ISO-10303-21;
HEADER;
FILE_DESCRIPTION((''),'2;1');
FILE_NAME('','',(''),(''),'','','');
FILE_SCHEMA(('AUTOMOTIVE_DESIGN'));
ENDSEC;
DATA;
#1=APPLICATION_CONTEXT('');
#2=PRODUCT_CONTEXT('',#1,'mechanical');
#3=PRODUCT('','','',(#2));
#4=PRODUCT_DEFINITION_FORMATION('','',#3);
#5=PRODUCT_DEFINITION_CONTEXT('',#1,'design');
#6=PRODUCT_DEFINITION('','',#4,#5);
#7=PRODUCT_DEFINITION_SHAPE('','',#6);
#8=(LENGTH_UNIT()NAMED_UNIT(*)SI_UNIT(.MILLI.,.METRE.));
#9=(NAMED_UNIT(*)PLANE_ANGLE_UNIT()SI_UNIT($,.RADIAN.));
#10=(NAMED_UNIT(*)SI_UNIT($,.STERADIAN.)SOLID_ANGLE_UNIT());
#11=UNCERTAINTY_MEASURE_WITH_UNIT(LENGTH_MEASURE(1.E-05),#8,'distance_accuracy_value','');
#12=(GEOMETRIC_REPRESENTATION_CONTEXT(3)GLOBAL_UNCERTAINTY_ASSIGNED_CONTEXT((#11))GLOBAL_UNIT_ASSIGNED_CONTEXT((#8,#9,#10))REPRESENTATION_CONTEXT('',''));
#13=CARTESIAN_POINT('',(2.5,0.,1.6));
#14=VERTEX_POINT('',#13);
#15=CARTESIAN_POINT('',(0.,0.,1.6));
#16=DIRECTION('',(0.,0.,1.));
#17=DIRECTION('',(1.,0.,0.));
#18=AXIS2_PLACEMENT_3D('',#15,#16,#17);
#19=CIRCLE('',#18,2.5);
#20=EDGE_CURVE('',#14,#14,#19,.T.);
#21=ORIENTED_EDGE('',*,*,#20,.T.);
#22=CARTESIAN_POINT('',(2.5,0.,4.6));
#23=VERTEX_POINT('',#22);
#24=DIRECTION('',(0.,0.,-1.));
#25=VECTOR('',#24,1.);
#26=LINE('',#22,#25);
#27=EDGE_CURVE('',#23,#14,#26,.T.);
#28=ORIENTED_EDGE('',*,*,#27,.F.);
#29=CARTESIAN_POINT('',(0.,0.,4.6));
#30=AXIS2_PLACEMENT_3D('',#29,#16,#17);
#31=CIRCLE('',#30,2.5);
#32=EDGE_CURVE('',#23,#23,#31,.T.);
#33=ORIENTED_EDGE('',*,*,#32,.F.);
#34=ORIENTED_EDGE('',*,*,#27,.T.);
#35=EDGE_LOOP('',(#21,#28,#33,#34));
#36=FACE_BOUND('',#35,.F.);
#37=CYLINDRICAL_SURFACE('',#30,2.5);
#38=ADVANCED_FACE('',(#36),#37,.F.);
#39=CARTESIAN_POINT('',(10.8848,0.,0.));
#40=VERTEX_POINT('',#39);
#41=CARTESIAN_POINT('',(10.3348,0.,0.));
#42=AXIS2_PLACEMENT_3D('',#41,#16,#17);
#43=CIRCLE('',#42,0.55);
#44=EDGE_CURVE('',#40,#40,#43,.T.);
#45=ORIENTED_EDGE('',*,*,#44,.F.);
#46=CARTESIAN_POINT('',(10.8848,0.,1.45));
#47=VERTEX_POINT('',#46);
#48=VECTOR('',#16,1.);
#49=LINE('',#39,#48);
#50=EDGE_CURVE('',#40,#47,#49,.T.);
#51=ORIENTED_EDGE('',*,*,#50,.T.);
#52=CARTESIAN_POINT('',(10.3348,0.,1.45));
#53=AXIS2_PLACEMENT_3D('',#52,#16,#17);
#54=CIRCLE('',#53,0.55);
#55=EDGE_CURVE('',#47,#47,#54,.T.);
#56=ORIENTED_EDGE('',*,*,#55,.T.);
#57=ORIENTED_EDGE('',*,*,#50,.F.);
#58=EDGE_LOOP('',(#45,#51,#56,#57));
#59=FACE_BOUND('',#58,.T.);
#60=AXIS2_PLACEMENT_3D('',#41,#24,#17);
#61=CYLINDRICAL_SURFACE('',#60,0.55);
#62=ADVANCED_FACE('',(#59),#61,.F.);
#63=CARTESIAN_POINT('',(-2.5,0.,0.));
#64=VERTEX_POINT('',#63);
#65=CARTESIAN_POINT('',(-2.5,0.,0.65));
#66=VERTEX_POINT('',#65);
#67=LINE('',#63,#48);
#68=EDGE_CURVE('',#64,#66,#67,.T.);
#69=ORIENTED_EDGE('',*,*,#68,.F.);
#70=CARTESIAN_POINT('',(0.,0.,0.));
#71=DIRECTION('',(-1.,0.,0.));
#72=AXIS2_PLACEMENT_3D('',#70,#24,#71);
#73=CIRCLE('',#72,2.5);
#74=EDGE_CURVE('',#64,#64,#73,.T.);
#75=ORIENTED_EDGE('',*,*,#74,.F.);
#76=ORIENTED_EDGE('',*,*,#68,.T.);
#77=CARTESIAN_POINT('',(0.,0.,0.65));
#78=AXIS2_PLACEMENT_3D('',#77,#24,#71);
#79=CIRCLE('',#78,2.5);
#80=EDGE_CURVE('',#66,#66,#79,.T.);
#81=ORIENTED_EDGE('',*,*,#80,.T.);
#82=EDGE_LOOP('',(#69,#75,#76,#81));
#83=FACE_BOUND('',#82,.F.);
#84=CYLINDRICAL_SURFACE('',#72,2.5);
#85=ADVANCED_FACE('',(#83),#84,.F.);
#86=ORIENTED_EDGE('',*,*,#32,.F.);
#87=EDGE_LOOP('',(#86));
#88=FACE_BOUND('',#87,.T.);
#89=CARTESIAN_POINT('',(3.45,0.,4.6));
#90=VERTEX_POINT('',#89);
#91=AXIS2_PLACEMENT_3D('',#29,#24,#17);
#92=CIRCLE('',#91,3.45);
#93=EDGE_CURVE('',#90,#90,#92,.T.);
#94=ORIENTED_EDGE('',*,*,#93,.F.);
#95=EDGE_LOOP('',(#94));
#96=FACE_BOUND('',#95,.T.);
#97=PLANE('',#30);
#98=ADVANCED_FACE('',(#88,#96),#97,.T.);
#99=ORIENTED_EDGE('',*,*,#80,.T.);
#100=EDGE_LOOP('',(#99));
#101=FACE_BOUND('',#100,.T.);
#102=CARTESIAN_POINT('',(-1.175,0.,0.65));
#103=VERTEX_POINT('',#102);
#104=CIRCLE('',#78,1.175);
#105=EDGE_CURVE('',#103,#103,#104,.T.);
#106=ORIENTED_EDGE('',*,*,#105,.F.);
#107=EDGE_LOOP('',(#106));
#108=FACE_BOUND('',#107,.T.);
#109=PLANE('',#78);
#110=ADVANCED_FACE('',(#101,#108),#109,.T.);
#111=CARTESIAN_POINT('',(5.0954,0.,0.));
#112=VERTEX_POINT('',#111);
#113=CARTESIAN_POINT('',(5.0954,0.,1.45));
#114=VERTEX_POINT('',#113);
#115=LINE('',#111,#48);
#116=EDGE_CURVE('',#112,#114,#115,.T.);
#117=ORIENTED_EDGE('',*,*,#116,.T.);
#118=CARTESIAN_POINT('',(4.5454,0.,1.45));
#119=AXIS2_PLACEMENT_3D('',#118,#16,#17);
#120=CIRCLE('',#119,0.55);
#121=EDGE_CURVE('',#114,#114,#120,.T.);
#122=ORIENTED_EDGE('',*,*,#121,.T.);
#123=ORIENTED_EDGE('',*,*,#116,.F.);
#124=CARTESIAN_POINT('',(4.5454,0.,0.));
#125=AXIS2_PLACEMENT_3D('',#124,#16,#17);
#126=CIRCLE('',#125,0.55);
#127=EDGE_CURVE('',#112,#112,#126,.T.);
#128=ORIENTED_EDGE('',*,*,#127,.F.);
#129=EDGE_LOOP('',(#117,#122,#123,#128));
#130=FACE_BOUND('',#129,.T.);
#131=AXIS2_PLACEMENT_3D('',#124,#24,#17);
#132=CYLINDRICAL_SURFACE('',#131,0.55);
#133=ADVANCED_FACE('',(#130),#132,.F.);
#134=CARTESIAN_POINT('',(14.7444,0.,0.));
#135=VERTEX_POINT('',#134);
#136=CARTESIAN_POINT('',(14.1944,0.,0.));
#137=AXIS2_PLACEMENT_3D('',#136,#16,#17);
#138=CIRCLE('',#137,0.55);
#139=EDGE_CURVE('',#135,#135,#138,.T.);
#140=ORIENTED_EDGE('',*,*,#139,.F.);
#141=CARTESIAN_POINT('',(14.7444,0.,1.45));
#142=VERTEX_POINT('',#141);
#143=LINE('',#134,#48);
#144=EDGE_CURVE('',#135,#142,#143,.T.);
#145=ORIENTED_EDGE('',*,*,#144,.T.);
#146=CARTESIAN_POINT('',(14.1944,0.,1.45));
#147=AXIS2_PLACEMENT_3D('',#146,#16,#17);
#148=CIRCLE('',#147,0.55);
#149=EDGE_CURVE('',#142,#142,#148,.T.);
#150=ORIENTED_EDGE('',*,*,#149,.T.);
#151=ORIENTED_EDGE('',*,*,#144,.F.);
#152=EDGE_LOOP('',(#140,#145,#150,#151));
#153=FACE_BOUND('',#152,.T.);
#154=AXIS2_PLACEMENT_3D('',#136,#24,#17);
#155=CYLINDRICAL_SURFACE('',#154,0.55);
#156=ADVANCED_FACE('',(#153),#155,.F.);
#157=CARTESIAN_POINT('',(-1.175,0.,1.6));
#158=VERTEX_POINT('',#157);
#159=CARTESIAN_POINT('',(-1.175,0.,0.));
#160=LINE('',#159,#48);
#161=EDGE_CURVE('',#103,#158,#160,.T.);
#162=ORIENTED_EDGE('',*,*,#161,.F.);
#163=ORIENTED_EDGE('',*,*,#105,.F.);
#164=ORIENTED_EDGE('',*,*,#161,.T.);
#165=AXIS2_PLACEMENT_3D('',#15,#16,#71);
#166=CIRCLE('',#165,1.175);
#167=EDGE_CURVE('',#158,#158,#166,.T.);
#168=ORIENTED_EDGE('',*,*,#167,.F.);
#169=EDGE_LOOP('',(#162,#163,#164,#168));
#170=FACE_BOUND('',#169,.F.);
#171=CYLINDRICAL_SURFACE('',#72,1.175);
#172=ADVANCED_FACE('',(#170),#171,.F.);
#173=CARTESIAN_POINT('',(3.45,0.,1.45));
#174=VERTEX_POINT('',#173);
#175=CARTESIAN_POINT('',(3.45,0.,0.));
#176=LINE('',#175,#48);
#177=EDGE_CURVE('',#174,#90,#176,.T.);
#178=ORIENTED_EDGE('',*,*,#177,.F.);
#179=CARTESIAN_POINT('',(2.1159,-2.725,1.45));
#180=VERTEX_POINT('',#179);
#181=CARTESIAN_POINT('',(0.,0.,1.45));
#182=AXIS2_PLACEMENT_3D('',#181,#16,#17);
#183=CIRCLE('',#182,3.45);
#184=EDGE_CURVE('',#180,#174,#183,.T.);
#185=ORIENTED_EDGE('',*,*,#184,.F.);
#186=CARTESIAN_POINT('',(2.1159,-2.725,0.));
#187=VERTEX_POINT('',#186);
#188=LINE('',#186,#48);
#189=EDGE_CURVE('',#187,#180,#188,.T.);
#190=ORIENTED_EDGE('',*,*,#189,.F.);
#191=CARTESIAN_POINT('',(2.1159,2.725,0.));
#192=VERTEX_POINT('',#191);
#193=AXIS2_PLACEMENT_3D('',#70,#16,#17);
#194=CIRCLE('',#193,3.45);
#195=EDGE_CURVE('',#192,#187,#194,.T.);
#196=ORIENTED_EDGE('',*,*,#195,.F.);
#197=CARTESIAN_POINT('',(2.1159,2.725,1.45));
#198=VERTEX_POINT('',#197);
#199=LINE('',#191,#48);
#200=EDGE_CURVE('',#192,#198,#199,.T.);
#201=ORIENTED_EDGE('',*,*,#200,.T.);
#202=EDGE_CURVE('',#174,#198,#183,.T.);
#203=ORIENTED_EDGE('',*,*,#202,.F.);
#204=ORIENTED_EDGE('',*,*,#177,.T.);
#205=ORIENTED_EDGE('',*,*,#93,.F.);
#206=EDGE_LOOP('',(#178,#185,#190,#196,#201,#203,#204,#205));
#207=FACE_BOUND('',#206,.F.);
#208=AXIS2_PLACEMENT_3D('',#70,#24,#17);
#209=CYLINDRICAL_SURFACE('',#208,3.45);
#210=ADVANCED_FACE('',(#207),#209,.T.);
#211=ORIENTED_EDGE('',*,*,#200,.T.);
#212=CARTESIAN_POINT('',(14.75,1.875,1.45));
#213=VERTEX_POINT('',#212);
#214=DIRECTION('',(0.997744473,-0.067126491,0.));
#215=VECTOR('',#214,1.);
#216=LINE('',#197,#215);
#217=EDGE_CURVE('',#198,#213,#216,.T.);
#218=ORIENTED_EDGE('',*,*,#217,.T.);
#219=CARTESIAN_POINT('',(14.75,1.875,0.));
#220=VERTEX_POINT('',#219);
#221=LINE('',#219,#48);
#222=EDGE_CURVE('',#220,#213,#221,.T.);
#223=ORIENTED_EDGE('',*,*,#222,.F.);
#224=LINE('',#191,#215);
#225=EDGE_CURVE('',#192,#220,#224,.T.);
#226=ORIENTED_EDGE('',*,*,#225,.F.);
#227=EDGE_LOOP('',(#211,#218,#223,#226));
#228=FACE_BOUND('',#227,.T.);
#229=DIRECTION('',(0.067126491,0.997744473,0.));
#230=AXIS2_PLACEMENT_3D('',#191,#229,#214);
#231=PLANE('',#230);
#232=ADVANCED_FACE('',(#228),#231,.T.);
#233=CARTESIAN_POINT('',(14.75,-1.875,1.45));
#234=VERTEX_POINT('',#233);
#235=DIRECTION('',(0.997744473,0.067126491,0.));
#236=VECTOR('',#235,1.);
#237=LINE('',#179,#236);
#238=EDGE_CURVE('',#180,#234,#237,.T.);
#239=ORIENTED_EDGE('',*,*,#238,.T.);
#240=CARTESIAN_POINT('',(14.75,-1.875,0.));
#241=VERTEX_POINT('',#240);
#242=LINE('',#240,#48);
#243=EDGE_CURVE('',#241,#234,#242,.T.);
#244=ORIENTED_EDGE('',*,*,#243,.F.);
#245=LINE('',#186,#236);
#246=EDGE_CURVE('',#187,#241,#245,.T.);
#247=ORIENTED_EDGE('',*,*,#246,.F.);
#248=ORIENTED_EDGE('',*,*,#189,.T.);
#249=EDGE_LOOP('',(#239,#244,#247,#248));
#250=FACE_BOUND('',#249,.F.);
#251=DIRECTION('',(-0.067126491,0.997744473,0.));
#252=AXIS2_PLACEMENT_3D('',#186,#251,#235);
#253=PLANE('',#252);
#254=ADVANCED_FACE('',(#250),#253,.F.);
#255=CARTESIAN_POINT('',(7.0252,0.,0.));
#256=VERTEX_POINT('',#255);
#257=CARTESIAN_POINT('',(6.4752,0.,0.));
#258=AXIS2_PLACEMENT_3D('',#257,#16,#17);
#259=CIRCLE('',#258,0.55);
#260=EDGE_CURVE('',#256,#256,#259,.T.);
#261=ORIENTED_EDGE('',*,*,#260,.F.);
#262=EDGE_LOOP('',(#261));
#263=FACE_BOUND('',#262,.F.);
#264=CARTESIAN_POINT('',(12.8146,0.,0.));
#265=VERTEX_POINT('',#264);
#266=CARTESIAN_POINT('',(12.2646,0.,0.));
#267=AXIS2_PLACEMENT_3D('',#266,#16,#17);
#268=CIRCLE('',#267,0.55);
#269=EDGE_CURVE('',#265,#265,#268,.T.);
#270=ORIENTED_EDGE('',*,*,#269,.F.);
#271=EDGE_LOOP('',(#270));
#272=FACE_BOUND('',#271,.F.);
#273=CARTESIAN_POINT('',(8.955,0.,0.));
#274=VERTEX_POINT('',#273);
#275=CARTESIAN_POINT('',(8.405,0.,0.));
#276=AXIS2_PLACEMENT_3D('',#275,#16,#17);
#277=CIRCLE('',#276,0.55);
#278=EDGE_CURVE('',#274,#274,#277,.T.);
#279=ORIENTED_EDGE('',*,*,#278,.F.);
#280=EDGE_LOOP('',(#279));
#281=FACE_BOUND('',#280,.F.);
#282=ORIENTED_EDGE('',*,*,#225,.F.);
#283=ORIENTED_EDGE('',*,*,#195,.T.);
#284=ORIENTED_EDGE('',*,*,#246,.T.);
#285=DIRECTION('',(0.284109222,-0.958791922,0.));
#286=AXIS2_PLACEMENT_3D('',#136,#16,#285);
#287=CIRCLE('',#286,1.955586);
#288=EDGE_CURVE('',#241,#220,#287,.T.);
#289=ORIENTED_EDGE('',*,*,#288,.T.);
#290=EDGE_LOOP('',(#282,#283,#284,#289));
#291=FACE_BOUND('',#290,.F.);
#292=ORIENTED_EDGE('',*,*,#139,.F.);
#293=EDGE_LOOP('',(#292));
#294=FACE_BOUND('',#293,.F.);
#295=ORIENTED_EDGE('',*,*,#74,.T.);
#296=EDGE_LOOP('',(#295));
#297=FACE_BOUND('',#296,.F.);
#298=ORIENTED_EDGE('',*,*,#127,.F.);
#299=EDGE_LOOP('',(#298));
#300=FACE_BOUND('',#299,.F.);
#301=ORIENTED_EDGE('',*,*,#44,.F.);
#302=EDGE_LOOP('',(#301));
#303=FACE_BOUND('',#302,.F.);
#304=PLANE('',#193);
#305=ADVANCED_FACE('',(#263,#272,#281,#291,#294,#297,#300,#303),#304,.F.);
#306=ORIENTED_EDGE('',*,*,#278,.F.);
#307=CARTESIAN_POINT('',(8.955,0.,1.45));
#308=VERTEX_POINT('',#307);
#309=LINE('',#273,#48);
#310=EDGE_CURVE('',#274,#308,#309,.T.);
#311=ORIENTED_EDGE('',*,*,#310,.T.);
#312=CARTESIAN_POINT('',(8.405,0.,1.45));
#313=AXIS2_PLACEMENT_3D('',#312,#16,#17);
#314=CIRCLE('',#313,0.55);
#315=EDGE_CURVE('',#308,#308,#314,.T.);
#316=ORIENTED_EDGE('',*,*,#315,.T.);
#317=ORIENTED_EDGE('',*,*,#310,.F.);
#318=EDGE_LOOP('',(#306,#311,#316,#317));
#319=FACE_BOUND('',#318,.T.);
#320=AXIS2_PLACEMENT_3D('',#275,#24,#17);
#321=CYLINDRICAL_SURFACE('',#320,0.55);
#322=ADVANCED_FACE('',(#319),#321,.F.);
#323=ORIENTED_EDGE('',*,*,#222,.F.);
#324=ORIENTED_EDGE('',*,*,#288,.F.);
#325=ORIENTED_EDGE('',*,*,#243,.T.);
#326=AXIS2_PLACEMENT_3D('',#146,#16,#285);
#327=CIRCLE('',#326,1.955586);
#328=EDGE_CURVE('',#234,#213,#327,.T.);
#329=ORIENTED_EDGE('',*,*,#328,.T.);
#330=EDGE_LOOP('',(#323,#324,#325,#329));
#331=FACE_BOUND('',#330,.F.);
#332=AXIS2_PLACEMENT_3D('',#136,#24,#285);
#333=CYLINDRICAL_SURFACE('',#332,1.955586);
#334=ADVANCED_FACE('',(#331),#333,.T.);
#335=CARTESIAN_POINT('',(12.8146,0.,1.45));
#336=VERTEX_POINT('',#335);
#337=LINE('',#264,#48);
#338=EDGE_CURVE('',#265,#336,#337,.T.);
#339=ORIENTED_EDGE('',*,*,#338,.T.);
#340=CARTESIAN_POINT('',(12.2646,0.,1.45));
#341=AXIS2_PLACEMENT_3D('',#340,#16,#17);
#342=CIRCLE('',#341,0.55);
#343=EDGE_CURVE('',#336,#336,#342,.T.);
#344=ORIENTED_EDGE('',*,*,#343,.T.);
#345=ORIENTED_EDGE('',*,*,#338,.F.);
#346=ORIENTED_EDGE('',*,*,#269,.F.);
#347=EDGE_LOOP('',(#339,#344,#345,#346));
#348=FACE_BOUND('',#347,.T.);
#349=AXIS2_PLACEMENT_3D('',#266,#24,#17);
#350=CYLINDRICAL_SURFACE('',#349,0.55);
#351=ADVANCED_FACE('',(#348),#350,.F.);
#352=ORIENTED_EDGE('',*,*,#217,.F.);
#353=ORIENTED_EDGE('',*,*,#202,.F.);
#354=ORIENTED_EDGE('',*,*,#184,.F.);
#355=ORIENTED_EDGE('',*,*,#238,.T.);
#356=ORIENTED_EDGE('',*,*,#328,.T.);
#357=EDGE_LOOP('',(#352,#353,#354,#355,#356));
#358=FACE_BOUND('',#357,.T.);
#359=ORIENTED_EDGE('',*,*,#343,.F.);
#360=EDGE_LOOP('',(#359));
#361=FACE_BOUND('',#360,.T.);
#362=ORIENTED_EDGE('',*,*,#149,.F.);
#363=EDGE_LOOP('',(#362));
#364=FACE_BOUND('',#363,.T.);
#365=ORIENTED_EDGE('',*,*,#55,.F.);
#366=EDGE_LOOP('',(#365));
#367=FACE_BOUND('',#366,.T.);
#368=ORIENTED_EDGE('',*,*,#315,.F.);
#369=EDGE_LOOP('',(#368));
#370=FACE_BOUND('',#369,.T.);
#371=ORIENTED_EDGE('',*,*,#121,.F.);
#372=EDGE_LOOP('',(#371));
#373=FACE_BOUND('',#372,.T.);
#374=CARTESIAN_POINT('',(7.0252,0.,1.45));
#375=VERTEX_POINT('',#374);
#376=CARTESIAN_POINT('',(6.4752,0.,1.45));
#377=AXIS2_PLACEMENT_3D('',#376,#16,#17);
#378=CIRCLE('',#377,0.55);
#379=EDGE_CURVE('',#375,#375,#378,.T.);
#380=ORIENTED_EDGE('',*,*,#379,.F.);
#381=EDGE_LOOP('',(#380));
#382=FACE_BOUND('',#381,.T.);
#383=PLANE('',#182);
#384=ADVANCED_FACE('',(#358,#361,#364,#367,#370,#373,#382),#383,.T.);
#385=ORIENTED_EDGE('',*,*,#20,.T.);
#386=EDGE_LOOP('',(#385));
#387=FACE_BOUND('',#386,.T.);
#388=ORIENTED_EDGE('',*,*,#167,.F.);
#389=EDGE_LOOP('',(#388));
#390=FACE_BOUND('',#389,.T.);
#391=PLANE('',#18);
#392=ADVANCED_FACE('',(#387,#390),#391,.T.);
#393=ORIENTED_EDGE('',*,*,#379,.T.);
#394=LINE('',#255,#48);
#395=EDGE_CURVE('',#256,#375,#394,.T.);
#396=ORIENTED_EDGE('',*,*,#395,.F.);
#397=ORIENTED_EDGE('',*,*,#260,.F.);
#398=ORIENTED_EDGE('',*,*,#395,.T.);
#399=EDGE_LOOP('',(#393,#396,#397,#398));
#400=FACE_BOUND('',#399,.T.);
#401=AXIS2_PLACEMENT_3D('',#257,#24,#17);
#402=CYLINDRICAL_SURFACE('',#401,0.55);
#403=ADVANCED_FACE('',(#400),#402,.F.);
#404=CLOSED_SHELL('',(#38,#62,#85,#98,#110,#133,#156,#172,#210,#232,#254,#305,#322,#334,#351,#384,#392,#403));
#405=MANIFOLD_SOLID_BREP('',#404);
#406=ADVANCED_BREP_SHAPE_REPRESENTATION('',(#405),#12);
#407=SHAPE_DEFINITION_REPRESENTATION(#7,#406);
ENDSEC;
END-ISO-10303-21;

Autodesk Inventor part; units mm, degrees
ref_plane "YZ Plane" through (0, 0, 0) normal (1, 0, 0) x (0, 1, 0)
ref_plane "XZ Plane" through (0, 0, 0) normal (0, 1, 0) x (-1, 0, 0)
ref_plane "XY Plane" through (0, 0, 0) normal (0, 0, 1) x (1, 0, 0)
sketch "Sketch1" plane through (0, 0, 0) normal (0, 0, 1) x (1, 0, 0)
  circle A0 centre (0, 0) radius 3.45
  line L0 (0, 0) -> (14.75, 0) construction
  line L1 (14.75, 0) -> (14.75, 1.875) construction
  line L2 (14.75, 0) -> (14.75, -1.875) construction
  line L3 (14.75, 0) -> (16.15, 0) construction
  arc A1 (14.75, -1.875) -> (14.75, 1.875) centre (14.1944, 0) ccw
  line L4 (2.1159, 2.725) -> (2.1159, -2.725) construction
  line L5 (2.1159, 2.725) -> (14.75, 1.875)
  line L6 (2.1159, -2.725) -> (14.75, -1.875)
  circle A2 centre (14.1944, 0) radius 0.55
  circle A3 centre (4.5454, 0) radius 0.55
  circle A4 centre (6.4752, 0) radius 0.55
  circle A5 centre (8.405, 0) radius 0.55
  circle A6 centre (10.3348, 0) radius 0.55
  circle A7 centre (12.2646, 0) radius 0.55
  dimension "d0" = 6.9
  dimension "d1" = 14.75
  dimension "d2" = 1.875
  dimension "d3" = 1.875
  dimension "d4" = 1.4
  dimension "d5" = 5.45
  dimension "d12" = 1.1
  dimension "d13" = 1.1
  dimension "d14" = 1.1
  dimension "d15" = 1.1
  dimension "d16" = 1.1
  dimension "d17" = 1.1
  dimension "d18" = 1.9298
  dimension "d19" = 1.9298
  dimension "d20" = 1.9298
  dimension "d21" = 1.9298
  dimension "d22" = 1.9298
extrude "Extrusion1" add sketch "Sketch1" along normal blind 1.45 contours A0 L5 A1 L6
extrude "Extrusion2" add sketch "Sketch1" along normal blind 4.6 contours A0
sketch "Sketch2" plane through (0, 0, 0) normal (0, 0, -1) x (-1, 0, 0)
  arc A0 (-2.1159, -2.725) -> (-2.1159, 2.725) centre (0, 0) ccw projected
  circle A1 centre (0, 0) radius 1.175
  dimension "d27" = 2.35
extrude "Extrusion3" cut sketch "Sketch2" against normal up to next
sketch "Sketch3" plane through (0, 0, 4.6) normal (0, 0, 1) x (1, 0, 0)
  circle A0 centre (0, 0) radius 1.175 projected
  circle A1 centre (0, 0) radius 3.45 projected
  circle A2 centre (0, 0) radius 2.5
  dimension "d30" = 5
extrude "Extrusion4" cut sketch "Sketch3" against normal blind 3 contours A2
sketch "Sketch4" plane through (0, 0, 0) normal (0, 0, -1) x (-1, 0, 0)
  circle A0 centre (0, 0) radius 1.175 projected
  circle A1 centre (0, 0) radius 2.5 projected
  circle A2 centre (0, 0) radius 2.5 projected
  circle A3 centre (0, 0) radius 2.5
extrude "Extrusion5" cut sketch "Sketch4" against normal blind 0.65
properties part number "Servo_Arm"
